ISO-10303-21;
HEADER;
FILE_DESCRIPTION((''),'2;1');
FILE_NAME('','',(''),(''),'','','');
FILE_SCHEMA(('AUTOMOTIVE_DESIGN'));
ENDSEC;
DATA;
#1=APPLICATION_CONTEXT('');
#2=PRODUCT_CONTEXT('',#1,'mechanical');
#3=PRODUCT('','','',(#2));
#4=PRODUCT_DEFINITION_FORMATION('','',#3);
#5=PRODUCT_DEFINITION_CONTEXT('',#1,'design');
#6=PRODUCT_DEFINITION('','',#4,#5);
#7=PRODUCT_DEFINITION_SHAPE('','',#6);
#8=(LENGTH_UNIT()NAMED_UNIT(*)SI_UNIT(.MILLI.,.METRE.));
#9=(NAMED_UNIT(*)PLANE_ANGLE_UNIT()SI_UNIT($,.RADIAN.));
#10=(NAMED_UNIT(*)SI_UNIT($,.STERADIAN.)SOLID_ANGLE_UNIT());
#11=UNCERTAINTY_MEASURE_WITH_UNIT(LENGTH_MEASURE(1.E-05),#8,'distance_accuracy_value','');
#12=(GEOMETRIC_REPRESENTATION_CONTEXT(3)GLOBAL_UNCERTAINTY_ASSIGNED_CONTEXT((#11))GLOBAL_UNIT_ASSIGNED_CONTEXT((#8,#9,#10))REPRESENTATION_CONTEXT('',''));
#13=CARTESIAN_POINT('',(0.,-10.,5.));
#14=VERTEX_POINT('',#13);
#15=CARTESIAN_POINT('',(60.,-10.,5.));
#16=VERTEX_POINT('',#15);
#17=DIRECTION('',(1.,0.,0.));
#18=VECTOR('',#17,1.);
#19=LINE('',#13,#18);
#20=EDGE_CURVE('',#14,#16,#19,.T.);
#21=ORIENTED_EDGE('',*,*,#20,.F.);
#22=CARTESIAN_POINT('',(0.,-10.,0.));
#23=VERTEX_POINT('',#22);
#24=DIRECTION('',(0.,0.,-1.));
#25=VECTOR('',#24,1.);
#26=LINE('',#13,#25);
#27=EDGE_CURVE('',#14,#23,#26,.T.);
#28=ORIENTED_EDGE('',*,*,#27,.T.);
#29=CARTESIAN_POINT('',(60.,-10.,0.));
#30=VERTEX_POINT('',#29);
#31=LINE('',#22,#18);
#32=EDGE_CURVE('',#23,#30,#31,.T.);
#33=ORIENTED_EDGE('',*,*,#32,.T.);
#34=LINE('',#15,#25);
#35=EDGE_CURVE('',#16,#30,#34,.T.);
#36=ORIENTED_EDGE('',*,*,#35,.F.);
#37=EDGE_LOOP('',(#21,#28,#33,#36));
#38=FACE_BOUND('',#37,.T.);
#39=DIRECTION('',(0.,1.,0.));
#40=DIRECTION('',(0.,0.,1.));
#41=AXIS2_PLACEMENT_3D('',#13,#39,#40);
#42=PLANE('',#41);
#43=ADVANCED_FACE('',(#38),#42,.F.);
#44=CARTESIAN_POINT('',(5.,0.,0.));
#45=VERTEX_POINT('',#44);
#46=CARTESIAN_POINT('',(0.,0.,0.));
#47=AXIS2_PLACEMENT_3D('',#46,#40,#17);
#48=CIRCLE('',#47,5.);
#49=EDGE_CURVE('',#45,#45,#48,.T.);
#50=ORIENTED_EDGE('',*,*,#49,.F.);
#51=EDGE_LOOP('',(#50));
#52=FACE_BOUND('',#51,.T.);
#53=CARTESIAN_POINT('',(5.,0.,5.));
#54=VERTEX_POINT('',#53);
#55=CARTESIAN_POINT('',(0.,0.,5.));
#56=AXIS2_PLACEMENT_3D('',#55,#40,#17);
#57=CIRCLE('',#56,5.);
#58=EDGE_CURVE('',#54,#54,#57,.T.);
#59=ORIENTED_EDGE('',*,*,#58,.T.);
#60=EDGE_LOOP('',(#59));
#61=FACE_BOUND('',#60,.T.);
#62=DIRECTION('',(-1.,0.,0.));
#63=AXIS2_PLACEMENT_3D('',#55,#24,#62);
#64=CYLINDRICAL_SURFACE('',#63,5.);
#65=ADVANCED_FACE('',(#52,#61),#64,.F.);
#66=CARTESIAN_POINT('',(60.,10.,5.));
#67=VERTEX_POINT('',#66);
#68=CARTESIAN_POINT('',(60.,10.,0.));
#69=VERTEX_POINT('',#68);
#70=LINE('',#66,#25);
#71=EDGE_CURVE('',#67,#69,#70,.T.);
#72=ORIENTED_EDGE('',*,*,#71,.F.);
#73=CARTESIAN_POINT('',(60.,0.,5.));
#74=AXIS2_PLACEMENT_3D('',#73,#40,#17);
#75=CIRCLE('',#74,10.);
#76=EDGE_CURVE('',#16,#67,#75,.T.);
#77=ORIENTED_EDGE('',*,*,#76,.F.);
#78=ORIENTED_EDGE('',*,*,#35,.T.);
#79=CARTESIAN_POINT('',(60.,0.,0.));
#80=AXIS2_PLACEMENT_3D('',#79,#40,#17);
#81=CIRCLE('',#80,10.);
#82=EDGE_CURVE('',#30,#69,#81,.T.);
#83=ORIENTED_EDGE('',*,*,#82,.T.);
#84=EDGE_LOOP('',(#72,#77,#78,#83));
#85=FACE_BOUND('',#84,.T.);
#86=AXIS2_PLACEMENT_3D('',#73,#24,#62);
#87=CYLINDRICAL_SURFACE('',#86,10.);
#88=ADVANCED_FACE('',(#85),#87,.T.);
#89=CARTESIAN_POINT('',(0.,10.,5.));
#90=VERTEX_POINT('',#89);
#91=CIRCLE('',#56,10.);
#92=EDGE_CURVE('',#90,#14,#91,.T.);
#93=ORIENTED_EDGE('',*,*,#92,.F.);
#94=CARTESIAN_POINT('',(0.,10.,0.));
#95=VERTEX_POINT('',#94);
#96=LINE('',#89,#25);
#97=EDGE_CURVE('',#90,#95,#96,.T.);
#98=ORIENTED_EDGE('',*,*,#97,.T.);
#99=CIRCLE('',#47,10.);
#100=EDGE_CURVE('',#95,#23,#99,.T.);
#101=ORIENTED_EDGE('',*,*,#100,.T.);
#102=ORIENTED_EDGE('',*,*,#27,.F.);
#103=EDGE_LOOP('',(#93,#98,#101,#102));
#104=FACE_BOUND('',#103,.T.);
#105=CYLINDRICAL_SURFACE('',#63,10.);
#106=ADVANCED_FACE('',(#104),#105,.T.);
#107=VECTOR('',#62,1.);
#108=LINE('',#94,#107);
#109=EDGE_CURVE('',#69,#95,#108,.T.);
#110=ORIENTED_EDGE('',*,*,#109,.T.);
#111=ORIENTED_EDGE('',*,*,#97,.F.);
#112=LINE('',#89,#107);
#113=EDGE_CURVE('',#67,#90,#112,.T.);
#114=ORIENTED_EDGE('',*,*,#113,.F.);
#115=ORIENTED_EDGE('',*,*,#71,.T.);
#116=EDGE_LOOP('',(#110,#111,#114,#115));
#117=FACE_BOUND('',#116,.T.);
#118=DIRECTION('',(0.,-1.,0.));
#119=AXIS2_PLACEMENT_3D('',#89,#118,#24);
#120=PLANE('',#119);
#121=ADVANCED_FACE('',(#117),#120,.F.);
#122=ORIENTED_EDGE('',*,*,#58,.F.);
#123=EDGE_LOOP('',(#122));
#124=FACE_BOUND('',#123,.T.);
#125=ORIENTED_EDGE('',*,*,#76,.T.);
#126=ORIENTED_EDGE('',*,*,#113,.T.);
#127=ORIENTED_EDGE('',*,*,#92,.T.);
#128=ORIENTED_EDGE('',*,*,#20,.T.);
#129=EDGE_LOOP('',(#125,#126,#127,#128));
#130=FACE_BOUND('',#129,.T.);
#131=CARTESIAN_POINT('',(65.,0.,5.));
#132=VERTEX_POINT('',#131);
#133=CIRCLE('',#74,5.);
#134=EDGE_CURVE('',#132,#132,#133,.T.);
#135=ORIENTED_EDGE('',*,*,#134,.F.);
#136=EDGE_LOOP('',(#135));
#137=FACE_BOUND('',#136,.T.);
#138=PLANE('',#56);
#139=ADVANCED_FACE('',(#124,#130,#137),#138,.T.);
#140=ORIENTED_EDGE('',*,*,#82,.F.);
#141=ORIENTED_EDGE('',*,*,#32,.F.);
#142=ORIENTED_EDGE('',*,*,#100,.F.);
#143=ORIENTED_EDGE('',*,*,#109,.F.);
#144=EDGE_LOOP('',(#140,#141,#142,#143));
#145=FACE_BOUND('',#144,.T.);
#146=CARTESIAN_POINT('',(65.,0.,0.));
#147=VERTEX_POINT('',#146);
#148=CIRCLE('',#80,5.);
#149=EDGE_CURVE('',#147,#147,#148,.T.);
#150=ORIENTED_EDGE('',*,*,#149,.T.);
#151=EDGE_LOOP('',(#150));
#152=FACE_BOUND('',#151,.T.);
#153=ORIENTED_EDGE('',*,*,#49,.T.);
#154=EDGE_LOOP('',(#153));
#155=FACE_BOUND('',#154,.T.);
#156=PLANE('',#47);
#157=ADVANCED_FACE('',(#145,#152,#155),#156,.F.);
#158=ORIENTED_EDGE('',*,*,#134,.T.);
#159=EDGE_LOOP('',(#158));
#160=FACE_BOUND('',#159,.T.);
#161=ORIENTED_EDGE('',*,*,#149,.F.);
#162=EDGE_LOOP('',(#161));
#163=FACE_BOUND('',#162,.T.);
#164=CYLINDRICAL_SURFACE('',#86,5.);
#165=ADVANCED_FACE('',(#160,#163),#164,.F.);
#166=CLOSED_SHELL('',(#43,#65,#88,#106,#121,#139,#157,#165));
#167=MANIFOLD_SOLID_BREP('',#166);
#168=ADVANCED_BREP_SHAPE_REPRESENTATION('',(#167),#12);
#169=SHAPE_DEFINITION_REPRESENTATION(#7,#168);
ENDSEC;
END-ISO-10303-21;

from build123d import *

# Parameters (mm, degrees)
SKETCH_1_R      = 5
EXTRUDE_1_DEPTH = 5


with BuildPart() as part:
    # Эскиз1 → Бобышка-Вытянуть1 (new body)
    with BuildSketch(Plane.XY):
        with BuildLine():
            Line((0, 10), (60, 10))
            ThreePointArc((60, 10), (70, 0), (60, -10))
            Line((60, -10), (0, -10))
            ThreePointArc((0, -10), (-10, 0), (0, 10))
        make_face()
        Circle(SKETCH_1_R, mode=Mode.SUBTRACT)
        with Locations((60, 0)):
            Circle(SKETCH_1_R, mode=Mode.SUBTRACT)
    extrude(amount=EXTRUDE_1_DEPTH)


solid = part.part
